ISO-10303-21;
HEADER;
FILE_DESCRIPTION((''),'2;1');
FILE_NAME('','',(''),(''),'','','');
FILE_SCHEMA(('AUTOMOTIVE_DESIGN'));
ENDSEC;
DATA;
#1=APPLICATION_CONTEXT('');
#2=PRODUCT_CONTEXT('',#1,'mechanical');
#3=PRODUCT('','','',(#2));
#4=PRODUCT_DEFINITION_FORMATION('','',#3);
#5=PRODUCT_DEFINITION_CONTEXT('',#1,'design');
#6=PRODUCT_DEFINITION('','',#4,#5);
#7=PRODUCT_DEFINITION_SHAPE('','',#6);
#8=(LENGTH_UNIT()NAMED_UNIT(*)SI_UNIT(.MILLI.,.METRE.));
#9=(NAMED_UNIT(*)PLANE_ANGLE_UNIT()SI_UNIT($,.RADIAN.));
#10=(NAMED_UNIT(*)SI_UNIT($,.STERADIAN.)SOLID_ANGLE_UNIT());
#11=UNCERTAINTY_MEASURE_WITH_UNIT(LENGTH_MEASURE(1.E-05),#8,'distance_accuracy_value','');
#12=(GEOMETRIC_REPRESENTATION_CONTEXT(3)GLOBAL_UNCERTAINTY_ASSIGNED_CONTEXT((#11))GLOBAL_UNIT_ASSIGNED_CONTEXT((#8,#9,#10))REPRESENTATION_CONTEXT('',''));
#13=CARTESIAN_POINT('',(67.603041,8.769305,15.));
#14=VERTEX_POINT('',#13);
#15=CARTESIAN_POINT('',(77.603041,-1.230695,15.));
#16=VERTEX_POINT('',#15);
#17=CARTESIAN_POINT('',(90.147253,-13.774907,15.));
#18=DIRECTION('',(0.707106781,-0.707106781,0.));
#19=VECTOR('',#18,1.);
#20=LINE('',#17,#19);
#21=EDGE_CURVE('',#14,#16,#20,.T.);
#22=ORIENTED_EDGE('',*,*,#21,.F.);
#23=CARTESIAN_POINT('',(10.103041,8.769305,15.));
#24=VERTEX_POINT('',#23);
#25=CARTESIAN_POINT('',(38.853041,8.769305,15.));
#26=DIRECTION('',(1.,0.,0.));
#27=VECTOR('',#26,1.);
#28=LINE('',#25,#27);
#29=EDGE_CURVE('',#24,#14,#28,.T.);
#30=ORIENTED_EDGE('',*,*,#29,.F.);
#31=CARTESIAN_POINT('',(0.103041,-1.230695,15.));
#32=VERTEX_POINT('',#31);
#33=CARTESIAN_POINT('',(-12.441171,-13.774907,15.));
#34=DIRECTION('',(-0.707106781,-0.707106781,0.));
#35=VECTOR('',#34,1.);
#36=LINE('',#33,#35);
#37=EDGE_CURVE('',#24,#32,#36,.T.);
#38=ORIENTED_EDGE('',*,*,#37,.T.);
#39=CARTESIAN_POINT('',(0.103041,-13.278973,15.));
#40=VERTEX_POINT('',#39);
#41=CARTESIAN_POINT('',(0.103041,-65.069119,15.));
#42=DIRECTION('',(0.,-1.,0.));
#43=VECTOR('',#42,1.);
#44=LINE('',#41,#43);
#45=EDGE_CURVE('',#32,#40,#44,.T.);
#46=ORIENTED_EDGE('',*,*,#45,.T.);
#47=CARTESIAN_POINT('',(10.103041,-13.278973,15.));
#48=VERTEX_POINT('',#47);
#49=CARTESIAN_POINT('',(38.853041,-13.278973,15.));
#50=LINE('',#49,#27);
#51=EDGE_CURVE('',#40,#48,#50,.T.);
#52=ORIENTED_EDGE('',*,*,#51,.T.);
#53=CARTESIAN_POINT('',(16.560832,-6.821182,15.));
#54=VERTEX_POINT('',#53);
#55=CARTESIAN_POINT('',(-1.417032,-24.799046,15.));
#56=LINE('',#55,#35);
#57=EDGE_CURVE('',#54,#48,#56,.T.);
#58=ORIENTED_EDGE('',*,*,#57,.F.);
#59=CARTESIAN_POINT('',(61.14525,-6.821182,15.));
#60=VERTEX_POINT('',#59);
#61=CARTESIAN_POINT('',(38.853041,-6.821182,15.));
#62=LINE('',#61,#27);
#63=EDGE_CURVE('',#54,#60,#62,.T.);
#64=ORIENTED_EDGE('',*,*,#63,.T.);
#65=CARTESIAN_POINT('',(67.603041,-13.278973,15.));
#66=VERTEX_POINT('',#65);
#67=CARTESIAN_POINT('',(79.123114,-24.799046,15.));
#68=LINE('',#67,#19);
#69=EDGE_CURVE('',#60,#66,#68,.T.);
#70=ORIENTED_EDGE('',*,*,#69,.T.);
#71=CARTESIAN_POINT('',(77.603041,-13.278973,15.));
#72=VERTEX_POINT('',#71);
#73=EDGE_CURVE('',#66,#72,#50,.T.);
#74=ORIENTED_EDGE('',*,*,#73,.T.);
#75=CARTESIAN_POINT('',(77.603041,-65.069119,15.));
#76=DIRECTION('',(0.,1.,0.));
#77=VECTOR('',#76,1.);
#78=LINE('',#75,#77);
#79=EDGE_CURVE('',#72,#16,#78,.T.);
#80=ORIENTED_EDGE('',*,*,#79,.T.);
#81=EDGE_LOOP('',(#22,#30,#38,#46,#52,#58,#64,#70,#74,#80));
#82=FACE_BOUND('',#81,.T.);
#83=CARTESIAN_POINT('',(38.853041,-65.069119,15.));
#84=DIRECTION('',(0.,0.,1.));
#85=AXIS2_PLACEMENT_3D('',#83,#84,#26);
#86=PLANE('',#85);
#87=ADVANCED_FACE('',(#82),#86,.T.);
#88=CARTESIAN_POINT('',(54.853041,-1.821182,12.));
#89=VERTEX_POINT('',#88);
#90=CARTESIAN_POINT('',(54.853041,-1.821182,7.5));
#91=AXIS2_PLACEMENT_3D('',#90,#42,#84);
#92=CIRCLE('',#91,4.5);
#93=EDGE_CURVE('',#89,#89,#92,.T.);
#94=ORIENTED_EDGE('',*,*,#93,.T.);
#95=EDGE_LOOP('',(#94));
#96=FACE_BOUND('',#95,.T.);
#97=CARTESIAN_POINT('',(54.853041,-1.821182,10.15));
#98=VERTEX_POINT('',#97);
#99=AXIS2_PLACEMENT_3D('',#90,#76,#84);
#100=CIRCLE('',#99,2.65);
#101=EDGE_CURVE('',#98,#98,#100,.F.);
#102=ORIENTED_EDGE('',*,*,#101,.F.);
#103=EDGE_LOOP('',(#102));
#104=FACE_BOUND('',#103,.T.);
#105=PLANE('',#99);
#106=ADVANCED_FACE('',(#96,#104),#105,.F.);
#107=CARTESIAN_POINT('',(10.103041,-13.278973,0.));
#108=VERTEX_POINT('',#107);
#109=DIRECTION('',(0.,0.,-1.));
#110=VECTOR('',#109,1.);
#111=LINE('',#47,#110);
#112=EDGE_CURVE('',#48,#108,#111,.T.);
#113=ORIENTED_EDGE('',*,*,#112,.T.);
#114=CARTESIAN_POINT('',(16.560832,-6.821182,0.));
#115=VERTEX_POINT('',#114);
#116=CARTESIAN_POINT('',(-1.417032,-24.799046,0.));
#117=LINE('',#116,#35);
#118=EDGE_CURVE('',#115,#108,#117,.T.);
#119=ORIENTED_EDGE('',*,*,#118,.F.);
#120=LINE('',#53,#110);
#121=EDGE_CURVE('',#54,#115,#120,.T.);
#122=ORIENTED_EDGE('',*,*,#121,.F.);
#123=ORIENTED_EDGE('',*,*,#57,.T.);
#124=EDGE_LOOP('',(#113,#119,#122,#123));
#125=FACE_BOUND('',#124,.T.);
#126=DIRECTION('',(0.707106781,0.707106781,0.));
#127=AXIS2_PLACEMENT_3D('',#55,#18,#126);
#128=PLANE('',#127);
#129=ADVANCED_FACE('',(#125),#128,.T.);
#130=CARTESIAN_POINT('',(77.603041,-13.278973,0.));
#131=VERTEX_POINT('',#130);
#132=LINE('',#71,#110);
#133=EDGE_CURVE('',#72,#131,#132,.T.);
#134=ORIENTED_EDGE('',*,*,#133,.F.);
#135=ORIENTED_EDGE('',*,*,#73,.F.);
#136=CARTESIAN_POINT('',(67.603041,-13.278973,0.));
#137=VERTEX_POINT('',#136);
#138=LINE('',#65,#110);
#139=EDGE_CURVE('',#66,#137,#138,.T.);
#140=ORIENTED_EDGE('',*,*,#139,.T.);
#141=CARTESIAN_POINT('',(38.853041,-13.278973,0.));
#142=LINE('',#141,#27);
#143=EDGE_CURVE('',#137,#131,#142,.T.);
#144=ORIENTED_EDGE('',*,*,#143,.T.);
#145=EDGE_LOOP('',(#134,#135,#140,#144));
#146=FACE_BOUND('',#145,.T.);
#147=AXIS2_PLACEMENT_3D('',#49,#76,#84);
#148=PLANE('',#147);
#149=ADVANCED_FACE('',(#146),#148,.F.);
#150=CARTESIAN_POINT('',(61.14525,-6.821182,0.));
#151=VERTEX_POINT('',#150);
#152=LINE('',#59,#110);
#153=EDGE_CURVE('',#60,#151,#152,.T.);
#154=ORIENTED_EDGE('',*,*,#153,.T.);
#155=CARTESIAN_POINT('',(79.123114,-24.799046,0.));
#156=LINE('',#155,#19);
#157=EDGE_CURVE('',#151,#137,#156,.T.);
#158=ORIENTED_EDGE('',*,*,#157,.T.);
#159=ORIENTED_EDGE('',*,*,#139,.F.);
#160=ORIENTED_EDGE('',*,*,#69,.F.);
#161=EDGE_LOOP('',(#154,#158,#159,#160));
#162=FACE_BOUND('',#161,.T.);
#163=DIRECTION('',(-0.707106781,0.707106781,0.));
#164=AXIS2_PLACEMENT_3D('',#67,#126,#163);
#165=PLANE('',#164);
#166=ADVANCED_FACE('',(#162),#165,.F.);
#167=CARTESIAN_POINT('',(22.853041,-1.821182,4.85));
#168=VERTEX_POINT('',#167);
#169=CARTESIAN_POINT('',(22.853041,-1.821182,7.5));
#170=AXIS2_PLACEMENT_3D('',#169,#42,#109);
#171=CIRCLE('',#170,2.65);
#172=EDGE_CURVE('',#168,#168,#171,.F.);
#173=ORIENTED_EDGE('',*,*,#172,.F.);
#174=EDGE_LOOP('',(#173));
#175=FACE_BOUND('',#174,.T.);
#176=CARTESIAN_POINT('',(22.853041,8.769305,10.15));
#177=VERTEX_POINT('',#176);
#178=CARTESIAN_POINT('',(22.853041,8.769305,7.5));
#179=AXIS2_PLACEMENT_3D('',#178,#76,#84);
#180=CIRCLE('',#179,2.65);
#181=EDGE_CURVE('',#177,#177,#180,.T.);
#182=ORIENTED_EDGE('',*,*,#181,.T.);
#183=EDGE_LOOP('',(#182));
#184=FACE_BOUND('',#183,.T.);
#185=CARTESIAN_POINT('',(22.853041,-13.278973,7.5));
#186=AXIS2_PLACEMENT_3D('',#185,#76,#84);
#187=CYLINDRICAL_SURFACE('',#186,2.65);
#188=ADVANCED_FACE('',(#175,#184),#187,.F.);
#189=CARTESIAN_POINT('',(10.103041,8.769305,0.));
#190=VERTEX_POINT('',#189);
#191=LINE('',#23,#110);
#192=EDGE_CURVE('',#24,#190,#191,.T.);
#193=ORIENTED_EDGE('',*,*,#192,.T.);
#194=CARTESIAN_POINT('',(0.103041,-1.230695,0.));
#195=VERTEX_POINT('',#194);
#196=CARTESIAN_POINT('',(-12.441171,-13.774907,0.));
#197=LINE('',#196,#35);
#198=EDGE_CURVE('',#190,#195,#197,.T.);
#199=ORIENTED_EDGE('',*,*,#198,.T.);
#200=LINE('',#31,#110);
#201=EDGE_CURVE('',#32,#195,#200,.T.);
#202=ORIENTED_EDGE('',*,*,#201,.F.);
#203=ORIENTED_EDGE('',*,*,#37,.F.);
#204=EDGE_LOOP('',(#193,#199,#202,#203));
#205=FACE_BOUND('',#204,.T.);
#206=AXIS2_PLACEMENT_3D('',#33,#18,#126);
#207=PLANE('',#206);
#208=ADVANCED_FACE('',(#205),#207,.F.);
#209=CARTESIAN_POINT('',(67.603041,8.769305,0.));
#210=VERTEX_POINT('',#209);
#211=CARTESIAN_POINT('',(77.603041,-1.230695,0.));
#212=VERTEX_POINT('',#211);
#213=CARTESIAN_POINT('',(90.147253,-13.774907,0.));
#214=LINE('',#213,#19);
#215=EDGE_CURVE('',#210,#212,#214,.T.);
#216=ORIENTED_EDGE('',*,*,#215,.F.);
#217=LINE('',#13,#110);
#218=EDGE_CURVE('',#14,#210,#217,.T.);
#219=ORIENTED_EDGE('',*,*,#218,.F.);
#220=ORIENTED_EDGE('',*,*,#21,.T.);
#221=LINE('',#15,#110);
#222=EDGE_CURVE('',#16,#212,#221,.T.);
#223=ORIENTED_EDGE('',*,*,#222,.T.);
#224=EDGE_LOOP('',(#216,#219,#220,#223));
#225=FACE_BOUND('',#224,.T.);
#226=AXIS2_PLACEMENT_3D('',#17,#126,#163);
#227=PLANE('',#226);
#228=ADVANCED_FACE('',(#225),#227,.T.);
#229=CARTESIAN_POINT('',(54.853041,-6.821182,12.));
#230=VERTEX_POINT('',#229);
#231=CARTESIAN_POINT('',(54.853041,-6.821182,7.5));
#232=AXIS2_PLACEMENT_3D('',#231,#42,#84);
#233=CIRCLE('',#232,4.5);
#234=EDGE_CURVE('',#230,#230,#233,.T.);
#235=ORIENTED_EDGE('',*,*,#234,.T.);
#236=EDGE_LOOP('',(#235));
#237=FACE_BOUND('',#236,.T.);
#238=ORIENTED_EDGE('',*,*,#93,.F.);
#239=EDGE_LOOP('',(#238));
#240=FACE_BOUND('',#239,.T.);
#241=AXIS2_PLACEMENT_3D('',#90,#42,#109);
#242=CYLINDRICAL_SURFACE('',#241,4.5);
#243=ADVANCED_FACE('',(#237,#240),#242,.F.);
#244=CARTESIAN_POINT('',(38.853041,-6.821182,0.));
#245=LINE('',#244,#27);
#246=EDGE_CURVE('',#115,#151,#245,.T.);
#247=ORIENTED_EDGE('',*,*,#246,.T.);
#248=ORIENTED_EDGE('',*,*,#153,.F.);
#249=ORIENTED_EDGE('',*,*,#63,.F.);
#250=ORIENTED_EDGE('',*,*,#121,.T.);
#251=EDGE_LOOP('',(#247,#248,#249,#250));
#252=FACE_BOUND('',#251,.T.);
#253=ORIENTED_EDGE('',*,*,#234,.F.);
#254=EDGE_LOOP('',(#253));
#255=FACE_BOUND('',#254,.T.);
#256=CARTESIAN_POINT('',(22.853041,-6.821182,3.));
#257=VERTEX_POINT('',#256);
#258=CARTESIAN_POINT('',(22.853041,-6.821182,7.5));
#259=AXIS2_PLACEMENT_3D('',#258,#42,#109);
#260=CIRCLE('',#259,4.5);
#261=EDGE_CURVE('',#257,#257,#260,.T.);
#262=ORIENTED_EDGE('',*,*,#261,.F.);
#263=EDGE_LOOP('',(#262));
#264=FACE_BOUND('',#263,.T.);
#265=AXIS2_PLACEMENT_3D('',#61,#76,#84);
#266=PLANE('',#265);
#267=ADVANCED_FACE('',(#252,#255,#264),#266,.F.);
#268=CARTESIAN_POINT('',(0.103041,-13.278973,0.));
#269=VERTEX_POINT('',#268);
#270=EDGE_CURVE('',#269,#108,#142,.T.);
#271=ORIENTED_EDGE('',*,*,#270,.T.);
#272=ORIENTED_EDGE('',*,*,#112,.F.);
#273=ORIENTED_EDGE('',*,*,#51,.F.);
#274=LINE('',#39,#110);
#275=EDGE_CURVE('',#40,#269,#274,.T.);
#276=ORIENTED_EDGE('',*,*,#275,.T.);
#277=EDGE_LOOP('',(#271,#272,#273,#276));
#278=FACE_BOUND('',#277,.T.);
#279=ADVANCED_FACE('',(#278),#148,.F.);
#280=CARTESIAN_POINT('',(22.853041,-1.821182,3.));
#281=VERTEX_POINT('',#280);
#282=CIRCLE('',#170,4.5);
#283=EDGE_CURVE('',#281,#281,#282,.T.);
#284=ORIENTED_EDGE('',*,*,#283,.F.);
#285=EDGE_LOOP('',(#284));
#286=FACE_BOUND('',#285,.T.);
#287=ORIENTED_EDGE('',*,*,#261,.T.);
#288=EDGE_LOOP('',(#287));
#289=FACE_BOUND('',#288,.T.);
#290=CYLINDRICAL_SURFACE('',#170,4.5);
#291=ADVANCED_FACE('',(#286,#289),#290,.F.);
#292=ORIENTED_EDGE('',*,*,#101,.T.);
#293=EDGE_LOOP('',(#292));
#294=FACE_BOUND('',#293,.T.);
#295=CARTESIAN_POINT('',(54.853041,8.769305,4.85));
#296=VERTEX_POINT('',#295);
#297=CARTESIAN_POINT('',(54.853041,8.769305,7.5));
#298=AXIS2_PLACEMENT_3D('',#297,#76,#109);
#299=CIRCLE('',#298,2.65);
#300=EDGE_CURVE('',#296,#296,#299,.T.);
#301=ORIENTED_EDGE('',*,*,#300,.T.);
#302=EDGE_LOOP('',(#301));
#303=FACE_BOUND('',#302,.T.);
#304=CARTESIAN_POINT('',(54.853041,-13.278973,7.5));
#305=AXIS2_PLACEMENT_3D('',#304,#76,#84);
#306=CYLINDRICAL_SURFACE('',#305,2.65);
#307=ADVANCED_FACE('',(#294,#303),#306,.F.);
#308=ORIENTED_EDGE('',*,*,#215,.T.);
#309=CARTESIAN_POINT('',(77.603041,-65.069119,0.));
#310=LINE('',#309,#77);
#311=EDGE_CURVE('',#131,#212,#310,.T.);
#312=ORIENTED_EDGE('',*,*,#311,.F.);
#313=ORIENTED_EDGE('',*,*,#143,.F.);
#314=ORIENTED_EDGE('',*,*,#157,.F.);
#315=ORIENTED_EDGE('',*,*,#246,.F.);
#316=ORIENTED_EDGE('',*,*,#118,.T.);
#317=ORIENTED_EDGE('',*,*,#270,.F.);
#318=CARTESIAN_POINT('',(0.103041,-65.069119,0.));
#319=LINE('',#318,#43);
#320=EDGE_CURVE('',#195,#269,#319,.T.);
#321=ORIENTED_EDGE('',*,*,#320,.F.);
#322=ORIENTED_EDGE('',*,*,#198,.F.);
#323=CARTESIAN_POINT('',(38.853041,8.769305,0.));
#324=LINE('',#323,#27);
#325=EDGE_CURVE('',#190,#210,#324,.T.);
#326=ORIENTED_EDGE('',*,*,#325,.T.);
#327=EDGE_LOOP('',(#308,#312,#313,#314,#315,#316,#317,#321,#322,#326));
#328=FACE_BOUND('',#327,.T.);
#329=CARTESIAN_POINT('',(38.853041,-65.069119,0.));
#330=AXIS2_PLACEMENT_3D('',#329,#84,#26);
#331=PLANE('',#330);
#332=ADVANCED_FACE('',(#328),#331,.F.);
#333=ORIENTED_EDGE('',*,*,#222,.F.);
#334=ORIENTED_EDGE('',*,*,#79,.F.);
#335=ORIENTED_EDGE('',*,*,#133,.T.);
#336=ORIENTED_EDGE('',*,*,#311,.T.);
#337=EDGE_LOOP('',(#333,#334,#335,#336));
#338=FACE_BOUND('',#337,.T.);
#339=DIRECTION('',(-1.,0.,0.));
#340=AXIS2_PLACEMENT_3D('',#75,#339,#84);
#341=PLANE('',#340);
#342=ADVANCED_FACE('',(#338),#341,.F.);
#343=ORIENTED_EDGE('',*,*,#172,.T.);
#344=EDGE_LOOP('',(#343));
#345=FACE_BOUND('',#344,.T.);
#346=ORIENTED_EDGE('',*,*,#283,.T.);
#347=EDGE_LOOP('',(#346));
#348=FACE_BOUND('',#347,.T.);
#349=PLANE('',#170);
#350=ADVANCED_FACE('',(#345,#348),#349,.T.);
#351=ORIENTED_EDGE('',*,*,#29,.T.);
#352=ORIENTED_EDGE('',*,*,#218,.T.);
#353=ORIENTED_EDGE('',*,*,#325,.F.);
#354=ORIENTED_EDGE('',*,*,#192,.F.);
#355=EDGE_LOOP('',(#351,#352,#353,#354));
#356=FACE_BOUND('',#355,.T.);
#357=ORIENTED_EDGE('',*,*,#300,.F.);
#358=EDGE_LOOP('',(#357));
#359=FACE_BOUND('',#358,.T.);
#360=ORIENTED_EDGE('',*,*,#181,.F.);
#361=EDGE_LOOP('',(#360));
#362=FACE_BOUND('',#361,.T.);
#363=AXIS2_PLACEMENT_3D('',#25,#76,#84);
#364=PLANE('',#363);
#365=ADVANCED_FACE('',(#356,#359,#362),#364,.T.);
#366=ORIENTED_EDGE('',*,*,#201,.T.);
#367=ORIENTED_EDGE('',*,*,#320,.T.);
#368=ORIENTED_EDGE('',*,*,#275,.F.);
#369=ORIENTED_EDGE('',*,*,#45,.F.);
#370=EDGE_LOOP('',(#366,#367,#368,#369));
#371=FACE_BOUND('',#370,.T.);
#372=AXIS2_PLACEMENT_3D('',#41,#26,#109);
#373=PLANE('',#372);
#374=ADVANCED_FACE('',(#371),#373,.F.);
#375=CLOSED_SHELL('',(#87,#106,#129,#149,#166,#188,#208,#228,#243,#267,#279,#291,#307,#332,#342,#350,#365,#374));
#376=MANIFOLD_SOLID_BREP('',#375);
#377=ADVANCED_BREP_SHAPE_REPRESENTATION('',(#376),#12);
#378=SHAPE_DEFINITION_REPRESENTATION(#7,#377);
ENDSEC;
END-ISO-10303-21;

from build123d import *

# Parameters (mm, degrees)
SKETCH1_W           = 5
SKETCH1_H           = 10.590486739
BOSS_EXTRUDE1_DEPTH = 15
SKETCH2_R           = 2.65
CUT_EXTRUDE1_DEPTH  = 23.048277791
SKETCH3_R           = 4.5
CUT_EXTRUDE2_DEPTH  = 5


with BuildPart() as part:
    # Sketch1 → Boss-Extrude1 (new body)
    with BuildSketch(Plane.XY):
        Polygon((20.353041123, 8.769305032), (10.103041123, 8.769305032), (0.103041123, -1.230694968), (0.103041123, -13.278972759), (10.103041123, -13.278972759), (16.560832175, -6.821181707), (18.353041123, -6.821181707), (18.353041123, -1.821181707), (20.353041123, -1.821181707), align=None)
        Polygon((25.353041123, -1.821181707), (20.353041123, -1.821181707), (18.353041123, -1.821181707), (18.353041123, -6.821181707), (27.353041123, -6.821181707), (27.353041123, -1.821181707), align=None)
        with Locations((22.853041123, 3.474061663)):
            Rectangle(SKETCH1_W, SKETCH1_H)
        Polygon((52.353041123, 8.769305032), (25.353041123, 8.769305032), (25.353041123, -1.821181707), (27.353041123, -1.821181707), (27.353041123, -6.821181707), (50.353041123, -6.821181707), (50.353041123, -1.821181707), (52.353041123, -1.821181707), align=None)
        Polygon((57.353041123, -1.821181707), (52.353041123, -1.821181707), (50.353041123, -1.821181707), (50.353041123, -6.821181707), (59.353041123, -6.821181707), (59.353041123, -1.821181707), align=None)
        with Locations((54.853041123, 3.474061663)):
            Rectangle(SKETCH1_W, SKETCH1_H)
        Polygon((67.603041123, 8.769305032), (57.353041123, 8.769305032), (57.353041123, -1.821181707), (59.353041123, -1.821181707), (59.353041123, -6.821181707), (61.145250072, -6.821181707), (67.603041123, -13.278972759), (77.603041123, -13.278972759), (77.603041123, -1.230694968), align=None)
    extrude(amount=BOSS_EXTRUDE1_DEPTH)

    # Sketch2 → Cut-Extrude1 (cut, through all)
    with BuildSketch(Plane(origin=(0, 8.769305032, 0), x_dir=(1, 0, 0), z_dir=(0, 1, 0))):
        with Locations((22.853041123, -7.5)):
            Circle(SKETCH2_R)
        with Locations((54.853041123, -7.5)):
            Circle(SKETCH2_R)
    extrude(amount=-CUT_EXTRUDE1_DEPTH, mode=Mode.SUBTRACT)

    # Sketch3 → Cut-Extrude2 (cut)
    with BuildSketch(Plane.XZ.offset(6.821181707)):
        with Locations((22.853041123, 7.5)):
            Circle(SKETCH3_R)
        with Locations((54.853041123, 7.5)):
            Circle(SKETCH3_R)
    extrude(amount=-CUT_EXTRUDE2_DEPTH, mode=Mode.SUBTRACT)


solid = part.part
